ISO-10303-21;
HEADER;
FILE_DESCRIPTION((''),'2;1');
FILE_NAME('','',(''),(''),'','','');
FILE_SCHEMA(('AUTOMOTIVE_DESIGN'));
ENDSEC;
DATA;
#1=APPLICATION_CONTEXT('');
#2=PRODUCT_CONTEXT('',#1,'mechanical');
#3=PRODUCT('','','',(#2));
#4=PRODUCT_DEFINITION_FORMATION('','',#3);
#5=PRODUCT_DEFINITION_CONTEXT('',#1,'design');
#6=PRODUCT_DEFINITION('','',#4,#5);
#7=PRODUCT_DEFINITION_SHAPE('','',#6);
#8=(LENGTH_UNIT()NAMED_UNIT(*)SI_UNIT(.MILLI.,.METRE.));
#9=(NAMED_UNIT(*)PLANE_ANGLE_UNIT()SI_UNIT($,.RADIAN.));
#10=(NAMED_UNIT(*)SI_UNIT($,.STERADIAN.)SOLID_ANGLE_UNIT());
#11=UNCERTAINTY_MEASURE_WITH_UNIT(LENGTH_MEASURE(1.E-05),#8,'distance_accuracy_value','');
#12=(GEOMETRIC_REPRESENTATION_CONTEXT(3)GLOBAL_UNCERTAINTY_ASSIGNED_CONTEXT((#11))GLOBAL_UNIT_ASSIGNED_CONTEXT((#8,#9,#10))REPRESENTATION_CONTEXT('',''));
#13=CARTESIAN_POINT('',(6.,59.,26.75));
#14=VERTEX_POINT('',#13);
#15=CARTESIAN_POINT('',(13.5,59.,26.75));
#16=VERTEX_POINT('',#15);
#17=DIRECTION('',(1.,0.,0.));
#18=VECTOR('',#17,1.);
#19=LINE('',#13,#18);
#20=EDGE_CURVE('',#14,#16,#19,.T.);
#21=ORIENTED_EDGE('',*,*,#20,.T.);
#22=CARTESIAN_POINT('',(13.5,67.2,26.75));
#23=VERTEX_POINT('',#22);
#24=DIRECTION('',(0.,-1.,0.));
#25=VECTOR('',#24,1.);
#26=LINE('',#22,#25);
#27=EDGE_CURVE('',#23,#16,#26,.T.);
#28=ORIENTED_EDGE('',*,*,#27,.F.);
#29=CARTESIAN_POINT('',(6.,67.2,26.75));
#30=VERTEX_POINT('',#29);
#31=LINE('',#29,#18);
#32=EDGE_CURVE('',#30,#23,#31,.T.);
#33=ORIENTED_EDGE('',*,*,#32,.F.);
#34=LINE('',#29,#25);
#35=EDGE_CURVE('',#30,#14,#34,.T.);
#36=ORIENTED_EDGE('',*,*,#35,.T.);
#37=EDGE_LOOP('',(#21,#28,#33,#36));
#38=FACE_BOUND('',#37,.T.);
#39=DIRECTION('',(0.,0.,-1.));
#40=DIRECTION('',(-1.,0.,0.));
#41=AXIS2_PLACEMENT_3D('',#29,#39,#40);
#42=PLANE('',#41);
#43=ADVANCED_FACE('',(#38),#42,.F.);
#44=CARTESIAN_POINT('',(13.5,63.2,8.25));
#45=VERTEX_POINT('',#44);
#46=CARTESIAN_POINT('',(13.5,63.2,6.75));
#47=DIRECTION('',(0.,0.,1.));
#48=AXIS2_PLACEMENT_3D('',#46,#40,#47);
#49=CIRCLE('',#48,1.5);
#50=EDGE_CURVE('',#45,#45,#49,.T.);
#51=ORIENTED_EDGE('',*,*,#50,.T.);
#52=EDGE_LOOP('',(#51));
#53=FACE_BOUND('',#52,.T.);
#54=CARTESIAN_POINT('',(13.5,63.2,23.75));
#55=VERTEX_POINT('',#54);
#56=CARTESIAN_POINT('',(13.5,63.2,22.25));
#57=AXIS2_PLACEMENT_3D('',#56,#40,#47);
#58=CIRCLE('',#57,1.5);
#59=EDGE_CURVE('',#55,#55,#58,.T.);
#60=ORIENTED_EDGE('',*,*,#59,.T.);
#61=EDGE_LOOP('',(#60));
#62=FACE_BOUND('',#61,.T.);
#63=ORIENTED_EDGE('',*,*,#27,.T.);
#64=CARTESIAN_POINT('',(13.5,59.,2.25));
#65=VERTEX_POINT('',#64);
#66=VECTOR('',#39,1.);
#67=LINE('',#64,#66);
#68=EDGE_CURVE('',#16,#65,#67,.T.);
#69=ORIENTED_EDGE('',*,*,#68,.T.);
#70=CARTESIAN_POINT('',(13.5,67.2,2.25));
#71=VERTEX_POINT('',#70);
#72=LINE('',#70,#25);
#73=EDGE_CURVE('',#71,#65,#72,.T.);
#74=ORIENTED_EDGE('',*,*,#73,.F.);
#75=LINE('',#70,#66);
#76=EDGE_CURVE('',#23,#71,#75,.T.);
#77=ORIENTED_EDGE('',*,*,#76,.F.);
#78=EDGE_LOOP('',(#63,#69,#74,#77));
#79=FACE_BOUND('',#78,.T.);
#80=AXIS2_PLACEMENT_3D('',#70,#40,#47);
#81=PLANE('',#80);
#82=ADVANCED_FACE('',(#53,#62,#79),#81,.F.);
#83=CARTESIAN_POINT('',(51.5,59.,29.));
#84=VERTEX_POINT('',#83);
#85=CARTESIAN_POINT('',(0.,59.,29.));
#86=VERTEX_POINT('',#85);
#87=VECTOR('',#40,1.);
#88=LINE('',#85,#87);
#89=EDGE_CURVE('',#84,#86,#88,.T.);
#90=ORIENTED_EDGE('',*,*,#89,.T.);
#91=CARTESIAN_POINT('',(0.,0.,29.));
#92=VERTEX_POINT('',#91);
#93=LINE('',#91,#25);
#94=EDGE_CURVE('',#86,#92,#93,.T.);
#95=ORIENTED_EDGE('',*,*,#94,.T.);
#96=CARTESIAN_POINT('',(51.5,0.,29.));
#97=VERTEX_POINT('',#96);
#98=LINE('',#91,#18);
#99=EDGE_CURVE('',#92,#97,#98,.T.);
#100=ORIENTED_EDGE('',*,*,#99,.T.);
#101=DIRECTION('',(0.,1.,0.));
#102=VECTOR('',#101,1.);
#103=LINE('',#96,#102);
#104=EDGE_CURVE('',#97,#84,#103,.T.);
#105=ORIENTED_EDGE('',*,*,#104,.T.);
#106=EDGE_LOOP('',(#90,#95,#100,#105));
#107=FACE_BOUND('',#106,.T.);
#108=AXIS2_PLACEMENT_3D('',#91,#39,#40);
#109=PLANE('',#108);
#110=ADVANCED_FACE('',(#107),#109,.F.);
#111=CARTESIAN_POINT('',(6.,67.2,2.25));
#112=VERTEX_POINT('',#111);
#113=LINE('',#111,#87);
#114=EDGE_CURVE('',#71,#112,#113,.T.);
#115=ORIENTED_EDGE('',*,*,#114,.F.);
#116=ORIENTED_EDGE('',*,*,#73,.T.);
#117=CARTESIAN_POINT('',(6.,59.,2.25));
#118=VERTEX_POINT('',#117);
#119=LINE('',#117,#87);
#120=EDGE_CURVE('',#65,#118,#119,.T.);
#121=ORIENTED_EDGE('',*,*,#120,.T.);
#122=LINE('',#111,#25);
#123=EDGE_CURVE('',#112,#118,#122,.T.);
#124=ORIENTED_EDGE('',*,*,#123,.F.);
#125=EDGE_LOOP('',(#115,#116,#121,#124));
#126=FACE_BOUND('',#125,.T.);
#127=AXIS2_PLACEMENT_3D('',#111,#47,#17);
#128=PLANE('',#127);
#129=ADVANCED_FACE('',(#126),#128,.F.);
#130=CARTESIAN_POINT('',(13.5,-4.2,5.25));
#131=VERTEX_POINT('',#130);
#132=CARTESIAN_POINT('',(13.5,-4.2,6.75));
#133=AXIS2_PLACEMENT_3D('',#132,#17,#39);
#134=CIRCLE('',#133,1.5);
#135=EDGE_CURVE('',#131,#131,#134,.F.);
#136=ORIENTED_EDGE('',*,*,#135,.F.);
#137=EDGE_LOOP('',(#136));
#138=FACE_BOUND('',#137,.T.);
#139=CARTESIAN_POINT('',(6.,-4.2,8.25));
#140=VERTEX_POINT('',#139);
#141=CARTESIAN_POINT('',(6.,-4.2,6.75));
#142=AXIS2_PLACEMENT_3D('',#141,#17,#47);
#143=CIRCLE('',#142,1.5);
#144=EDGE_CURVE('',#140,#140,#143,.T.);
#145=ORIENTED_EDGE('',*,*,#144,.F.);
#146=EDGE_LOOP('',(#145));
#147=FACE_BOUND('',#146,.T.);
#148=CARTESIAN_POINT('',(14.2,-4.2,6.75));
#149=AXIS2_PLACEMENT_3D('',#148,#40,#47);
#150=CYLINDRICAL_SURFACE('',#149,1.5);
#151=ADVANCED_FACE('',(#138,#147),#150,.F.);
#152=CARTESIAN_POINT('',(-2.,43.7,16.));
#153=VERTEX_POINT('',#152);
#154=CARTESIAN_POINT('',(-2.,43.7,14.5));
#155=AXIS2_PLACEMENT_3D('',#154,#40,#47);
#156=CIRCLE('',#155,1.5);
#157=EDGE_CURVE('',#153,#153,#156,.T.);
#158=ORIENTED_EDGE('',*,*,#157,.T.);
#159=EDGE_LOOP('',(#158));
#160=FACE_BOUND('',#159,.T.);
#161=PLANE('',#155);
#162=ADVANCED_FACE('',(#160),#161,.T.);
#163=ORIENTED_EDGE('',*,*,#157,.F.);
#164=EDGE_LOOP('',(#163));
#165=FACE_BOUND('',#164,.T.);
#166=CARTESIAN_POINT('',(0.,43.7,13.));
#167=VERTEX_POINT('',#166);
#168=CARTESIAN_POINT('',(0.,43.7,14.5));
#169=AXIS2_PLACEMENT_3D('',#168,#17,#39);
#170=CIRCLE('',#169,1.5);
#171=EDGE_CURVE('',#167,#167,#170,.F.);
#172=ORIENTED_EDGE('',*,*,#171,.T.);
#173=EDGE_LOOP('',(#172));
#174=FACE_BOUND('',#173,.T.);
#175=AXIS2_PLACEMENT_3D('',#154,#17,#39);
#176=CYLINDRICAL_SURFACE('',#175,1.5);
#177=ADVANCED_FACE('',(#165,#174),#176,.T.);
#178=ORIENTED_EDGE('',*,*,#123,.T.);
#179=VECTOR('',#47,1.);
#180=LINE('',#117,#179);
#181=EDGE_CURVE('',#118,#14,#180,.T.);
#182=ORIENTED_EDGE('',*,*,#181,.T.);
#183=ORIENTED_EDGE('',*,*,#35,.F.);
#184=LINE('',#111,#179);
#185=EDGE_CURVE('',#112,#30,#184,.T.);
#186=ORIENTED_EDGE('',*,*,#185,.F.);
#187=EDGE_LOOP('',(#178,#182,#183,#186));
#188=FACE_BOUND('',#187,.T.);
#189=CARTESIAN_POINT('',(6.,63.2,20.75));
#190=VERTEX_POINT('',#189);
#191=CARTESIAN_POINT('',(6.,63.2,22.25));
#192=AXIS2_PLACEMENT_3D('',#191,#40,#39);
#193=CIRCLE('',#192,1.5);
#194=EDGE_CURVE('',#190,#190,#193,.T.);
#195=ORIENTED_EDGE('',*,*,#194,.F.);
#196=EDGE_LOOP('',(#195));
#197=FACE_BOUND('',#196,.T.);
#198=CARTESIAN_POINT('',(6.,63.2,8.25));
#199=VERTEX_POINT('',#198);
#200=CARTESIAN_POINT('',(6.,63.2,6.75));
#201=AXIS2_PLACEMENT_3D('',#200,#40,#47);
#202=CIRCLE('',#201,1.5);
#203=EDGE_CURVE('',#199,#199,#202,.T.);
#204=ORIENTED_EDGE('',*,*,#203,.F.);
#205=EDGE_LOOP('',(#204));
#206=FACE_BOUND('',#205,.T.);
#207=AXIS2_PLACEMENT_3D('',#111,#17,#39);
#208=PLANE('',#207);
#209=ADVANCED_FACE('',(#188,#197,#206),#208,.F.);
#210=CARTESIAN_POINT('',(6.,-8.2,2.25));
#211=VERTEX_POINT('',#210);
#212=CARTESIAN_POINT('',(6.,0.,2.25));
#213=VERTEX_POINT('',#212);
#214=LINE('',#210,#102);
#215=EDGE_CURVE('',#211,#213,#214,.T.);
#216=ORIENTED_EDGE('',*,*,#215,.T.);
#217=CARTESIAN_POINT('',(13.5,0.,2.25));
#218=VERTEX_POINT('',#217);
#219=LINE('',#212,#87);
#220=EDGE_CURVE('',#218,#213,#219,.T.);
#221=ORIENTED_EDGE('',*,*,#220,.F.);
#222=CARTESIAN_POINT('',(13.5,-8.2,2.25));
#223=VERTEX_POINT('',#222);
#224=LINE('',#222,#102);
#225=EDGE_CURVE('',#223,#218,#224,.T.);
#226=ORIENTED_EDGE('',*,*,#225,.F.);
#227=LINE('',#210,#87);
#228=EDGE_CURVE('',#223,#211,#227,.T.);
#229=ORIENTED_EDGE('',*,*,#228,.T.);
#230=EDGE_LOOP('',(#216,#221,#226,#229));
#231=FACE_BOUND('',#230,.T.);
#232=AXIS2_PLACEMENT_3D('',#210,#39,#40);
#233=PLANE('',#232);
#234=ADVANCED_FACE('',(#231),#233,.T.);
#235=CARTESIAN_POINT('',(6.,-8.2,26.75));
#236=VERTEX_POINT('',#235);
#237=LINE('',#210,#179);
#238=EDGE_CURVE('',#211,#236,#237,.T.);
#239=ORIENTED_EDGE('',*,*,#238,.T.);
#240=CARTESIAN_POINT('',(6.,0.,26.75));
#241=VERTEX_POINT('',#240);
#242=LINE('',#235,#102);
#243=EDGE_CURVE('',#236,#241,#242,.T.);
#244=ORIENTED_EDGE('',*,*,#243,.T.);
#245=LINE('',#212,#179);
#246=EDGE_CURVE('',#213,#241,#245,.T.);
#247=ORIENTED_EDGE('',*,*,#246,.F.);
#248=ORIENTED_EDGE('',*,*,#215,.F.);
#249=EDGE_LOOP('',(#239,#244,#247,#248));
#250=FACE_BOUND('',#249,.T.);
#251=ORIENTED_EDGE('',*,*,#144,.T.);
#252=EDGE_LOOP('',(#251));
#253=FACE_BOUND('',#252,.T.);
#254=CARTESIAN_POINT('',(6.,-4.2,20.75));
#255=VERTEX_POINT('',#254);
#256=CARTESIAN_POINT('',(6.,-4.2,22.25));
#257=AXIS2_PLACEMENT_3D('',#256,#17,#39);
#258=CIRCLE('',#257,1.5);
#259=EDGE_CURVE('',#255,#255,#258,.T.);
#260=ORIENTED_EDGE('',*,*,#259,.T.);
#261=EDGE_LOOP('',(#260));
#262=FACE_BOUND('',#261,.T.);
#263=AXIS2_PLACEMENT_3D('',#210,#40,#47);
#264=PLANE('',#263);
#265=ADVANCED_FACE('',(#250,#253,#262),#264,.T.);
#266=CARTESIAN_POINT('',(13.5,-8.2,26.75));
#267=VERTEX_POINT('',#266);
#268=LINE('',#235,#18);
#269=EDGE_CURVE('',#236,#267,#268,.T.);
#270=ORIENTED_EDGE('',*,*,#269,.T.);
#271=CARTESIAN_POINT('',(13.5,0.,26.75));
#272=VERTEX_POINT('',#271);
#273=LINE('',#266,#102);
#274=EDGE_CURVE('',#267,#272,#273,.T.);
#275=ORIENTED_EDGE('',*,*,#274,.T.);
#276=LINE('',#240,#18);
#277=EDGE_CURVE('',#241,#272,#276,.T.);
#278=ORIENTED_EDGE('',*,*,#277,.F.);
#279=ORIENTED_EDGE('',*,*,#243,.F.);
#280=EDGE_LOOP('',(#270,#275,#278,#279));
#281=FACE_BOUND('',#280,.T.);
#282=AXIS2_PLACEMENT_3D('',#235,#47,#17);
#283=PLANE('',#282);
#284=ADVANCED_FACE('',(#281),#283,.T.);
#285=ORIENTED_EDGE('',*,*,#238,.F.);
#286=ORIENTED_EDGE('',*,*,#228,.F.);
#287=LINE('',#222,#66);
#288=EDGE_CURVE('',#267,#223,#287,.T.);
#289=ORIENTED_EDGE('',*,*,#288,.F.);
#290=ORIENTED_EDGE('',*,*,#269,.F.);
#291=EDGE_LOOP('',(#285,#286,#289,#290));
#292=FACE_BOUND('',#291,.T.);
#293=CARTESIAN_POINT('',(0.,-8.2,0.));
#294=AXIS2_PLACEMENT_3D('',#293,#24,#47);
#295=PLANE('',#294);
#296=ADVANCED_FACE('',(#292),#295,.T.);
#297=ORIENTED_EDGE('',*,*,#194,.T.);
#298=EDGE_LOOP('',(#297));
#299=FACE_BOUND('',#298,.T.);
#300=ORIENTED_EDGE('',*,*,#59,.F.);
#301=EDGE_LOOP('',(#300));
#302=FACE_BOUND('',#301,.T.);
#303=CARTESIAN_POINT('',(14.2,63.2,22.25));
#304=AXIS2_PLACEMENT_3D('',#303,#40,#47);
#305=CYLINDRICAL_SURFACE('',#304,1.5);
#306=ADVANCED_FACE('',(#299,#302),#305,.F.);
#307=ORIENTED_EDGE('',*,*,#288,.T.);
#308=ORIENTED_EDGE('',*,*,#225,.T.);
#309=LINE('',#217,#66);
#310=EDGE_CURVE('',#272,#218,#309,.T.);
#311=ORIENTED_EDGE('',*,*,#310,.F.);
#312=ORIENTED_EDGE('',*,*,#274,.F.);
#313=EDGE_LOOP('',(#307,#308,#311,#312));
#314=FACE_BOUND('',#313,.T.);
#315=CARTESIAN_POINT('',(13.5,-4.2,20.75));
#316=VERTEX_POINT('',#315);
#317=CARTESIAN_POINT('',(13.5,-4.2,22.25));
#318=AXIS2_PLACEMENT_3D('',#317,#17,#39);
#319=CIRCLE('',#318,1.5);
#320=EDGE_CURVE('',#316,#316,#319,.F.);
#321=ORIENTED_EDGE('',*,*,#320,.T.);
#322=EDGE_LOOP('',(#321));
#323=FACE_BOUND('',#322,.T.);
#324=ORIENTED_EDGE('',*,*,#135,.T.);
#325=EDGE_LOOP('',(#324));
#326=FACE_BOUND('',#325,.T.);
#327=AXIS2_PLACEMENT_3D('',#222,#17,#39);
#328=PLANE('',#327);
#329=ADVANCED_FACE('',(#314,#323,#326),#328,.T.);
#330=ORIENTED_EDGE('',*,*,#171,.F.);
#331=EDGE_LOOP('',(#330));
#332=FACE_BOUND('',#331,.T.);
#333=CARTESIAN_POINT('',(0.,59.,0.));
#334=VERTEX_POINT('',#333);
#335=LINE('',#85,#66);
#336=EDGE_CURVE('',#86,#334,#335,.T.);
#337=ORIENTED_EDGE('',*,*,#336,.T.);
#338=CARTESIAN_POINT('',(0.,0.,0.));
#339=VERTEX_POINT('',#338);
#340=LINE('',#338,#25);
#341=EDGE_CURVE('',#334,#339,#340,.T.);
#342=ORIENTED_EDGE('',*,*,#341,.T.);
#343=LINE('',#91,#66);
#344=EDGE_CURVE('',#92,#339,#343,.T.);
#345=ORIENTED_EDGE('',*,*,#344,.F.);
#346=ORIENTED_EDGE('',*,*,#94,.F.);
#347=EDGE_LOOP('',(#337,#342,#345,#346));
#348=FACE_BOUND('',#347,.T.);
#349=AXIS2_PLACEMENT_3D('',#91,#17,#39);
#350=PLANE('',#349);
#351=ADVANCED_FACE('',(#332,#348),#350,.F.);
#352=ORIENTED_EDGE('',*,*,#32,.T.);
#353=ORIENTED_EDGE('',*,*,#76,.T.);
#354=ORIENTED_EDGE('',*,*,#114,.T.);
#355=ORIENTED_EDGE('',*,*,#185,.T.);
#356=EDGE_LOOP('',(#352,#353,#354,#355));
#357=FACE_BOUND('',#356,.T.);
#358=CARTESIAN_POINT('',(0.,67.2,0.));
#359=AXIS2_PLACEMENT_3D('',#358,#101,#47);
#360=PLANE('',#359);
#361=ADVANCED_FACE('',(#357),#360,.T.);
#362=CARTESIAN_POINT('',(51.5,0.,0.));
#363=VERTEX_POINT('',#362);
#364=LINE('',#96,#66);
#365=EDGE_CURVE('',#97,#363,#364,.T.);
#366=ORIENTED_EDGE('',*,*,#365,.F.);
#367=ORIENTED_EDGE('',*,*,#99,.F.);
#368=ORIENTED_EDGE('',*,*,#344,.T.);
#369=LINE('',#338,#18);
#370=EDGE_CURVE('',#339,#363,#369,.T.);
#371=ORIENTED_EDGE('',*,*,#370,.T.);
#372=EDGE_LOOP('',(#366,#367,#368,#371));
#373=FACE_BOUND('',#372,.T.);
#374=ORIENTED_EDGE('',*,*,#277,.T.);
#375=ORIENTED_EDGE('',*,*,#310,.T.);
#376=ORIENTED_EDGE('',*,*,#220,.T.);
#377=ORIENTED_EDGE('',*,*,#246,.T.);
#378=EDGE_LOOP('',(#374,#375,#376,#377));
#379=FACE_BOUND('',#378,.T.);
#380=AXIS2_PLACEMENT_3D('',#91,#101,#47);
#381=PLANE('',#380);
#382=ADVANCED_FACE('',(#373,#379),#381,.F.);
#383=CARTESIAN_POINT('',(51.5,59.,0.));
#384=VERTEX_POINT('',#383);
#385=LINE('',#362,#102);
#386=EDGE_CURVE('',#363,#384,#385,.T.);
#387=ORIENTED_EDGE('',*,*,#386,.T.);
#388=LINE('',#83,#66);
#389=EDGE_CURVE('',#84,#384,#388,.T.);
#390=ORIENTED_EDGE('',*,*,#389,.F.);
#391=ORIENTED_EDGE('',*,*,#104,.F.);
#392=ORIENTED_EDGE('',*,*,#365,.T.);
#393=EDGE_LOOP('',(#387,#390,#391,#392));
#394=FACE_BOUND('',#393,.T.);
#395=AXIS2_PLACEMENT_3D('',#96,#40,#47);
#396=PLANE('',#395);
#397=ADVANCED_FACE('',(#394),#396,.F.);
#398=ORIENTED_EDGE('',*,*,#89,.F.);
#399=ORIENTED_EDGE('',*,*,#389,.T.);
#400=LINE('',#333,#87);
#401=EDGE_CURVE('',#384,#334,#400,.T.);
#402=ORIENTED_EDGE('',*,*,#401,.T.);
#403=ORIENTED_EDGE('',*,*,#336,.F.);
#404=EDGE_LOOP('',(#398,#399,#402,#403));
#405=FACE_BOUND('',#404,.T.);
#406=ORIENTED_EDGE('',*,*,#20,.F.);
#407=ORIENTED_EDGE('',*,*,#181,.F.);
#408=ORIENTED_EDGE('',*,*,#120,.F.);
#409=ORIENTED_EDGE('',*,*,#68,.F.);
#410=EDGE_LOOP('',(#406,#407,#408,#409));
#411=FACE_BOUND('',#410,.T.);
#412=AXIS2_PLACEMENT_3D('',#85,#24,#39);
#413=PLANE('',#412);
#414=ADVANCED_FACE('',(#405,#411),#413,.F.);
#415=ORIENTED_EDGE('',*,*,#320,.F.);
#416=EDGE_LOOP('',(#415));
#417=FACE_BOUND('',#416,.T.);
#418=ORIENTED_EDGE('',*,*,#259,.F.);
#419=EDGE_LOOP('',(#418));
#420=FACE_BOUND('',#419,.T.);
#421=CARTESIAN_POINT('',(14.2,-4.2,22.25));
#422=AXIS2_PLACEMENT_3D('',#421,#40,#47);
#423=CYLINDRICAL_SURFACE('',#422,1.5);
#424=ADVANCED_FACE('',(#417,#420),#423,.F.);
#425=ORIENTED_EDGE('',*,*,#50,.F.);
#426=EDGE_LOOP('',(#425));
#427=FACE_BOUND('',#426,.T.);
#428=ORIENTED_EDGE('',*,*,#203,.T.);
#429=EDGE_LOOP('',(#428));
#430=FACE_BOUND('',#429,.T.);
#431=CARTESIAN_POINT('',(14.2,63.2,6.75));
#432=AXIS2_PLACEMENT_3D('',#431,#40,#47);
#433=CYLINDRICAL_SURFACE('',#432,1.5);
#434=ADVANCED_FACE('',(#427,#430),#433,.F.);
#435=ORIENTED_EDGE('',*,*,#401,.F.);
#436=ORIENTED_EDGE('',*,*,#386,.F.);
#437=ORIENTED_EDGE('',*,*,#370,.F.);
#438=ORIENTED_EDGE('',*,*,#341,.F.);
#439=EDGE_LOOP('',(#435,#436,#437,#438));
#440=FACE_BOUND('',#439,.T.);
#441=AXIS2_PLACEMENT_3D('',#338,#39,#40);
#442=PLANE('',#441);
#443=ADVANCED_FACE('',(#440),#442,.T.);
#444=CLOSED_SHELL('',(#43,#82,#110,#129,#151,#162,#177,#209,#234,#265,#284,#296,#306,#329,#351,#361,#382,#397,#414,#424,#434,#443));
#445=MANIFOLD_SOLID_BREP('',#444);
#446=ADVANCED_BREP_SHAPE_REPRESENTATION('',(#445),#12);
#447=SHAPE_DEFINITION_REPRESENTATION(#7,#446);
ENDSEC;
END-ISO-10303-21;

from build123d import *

# Parameters (mm, degrees)
SKETCH1_W           = 51.5
SKETCH1_H           = 59
BOSS_EXTRUDE1_DEPTH = 29
SKETCH2_W           = 7.5
SKETCH2_H           = 24.5
BOSS_EXTRUDE3_DEPTH = 8.2
SKETCH7_R           = 1.5
CUT_EXTRUDE1_DEPTH  = 8.2
SKETCH8_R           = 1.5
BOSS_EXTRUDE4_DEPTH = 2


with BuildPart() as part:
    # Sketch1 → Boss-Extrude1 (new body)
    with BuildSketch(Plane.XY):
        with Locations((25.75, 29.5)):
            Rectangle(SKETCH1_W, SKETCH1_H)
    extrude(amount=BOSS_EXTRUDE1_DEPTH)

    # Sketch2 → Boss-Extrude3 (add)
    with BuildSketch(Plane(origin=(0, 59, 0), x_dir=(1, 0, 0), z_dir=(0, 1, 0))):
        with Locations((9.75, -14.5)):
            Rectangle(SKETCH2_W, SKETCH2_H)
    boss_extrude3 = extrude(amount=BOSS_EXTRUDE3_DEPTH)

    # Sketch7 → Cut-Extrude1 (cut)
    with BuildSketch(Plane.ZY.offset(-6)):
        with Locations((6.75, 63.2)):
            Circle(SKETCH7_R)
        with Locations((22.25, 63.2)):
            Circle(SKETCH7_R)
    cut_extrude1 = extrude(amount=-CUT_EXTRUDE1_DEPTH, mode=Mode.SUBTRACT)

    # Mirror3: Boss-Extrude3, Cut-Extrude1 across plane
    add(boss_extrude3.mirror(Plane.ZX.offset(29.5)))
    add(cut_extrude1.mirror(Plane.ZX.offset(29.5)), mode=Mode.SUBTRACT)

    # Sketch8 → Boss-Extrude4 (add)
    with BuildSketch(Plane.ZY):
        with Locations((14.5, 43.7)):
            Circle(SKETCH8_R)
    extrude(amount=BOSS_EXTRUDE4_DEPTH)


solid = part.part
